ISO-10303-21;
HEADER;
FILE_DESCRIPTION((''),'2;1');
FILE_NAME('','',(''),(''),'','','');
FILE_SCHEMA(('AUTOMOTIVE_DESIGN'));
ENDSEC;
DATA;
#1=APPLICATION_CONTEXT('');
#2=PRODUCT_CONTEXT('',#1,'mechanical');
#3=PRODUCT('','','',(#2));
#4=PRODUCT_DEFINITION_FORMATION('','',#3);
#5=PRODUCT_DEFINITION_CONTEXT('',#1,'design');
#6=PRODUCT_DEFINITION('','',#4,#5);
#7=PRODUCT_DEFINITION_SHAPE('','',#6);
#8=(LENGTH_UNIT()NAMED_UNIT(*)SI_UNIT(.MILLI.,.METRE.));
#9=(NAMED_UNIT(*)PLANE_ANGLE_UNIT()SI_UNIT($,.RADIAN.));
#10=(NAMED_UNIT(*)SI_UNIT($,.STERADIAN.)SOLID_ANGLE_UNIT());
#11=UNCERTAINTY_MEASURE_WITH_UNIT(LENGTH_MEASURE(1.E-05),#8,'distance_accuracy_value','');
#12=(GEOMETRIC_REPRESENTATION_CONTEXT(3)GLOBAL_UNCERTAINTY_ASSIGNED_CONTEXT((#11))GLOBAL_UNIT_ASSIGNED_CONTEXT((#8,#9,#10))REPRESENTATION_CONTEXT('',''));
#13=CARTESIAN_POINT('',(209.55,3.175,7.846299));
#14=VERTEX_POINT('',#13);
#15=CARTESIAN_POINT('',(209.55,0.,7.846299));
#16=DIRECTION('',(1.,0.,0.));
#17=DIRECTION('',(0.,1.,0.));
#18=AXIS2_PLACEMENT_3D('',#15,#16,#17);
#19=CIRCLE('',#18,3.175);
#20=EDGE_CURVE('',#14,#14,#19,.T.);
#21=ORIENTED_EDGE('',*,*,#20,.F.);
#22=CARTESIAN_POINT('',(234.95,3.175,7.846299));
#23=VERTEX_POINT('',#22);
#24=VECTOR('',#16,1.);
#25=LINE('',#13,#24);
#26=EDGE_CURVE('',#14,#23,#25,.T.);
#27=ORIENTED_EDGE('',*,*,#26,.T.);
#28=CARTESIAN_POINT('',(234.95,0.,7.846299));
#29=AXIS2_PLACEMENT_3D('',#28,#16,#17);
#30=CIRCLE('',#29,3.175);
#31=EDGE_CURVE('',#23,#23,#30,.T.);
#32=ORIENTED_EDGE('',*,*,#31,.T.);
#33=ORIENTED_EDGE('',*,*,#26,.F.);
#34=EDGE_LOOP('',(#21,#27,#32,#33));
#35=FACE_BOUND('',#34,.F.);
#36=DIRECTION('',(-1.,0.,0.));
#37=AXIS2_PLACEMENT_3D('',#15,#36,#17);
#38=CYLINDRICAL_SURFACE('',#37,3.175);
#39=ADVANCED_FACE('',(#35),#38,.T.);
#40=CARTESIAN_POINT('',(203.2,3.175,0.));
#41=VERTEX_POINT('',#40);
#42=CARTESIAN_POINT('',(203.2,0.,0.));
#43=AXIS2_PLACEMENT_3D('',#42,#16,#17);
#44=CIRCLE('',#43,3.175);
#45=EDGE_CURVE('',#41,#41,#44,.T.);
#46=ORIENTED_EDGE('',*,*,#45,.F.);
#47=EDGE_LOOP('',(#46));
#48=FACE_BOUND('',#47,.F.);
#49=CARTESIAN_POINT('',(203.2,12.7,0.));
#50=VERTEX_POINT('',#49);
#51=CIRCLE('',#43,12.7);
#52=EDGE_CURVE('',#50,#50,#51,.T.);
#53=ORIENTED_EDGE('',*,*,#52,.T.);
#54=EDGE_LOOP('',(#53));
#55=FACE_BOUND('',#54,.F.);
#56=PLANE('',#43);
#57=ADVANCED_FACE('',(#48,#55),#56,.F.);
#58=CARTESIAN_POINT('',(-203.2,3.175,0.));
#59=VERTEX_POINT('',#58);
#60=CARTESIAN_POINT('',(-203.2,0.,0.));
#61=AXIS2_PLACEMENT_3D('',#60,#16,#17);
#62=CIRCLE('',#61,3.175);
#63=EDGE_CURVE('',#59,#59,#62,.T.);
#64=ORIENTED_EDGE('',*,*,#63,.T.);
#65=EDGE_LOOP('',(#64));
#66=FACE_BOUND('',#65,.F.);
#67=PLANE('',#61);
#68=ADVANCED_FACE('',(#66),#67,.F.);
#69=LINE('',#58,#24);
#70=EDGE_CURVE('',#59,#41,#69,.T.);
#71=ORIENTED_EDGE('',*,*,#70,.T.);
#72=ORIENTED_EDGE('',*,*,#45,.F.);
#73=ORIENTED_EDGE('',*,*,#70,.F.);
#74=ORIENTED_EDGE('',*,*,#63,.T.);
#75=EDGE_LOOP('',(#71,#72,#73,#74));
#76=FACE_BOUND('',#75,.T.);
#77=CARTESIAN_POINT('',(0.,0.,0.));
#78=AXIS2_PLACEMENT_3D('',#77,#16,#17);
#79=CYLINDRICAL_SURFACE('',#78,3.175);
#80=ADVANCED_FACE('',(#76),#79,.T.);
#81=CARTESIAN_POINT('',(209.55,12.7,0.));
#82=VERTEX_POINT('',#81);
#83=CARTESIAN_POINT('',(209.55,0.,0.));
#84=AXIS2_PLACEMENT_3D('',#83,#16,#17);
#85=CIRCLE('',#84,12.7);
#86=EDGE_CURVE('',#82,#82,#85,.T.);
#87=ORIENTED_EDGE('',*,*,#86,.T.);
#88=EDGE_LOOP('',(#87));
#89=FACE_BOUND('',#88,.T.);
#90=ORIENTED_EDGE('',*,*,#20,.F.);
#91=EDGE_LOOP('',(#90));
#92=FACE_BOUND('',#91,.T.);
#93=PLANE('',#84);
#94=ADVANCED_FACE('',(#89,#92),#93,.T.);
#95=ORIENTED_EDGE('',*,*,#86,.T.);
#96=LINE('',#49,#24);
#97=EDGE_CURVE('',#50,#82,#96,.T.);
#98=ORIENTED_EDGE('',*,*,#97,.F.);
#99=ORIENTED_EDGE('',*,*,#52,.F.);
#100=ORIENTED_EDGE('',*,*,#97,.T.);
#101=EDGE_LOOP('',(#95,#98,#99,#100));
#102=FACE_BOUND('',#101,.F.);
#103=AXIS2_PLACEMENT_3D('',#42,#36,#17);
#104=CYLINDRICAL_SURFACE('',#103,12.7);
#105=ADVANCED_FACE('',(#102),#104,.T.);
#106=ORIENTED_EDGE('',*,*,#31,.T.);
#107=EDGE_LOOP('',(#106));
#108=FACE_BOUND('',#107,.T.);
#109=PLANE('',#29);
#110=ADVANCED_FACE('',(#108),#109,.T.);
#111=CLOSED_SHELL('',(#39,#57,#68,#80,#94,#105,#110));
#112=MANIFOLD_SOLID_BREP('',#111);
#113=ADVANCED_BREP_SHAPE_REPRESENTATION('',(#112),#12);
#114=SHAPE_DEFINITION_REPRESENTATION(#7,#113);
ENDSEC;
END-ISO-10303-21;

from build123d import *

# Parameters (mm, degrees)
F0_R     = 3.175
F1_DEPTH = 203.2
F2_R     = 12.7
F3_DEPTH = 6.35
F4_R     = 3.175
F5_DEPTH = 25.4


with BuildPart() as f1:
    # F0 (on Right) → F1 (new body, symmetric)
    with BuildSketch(Plane.YZ):
        Circle(F0_R)
    extrude(amount=F1_DEPTH, both=True)

    # F2 (on face) → F3 (join)
    with BuildSketch(Plane.YZ.offset(203.2)):
        Circle(F2_R)
    extrude(amount=F3_DEPTH)

    # F4 (on face) → F5 (join)
    with BuildSketch(Plane.YZ.offset(209.55)):
        with Locations((0, 7.846299)):
            Circle(F4_R)
    extrude(amount=F5_DEPTH)


solid = f1.part
